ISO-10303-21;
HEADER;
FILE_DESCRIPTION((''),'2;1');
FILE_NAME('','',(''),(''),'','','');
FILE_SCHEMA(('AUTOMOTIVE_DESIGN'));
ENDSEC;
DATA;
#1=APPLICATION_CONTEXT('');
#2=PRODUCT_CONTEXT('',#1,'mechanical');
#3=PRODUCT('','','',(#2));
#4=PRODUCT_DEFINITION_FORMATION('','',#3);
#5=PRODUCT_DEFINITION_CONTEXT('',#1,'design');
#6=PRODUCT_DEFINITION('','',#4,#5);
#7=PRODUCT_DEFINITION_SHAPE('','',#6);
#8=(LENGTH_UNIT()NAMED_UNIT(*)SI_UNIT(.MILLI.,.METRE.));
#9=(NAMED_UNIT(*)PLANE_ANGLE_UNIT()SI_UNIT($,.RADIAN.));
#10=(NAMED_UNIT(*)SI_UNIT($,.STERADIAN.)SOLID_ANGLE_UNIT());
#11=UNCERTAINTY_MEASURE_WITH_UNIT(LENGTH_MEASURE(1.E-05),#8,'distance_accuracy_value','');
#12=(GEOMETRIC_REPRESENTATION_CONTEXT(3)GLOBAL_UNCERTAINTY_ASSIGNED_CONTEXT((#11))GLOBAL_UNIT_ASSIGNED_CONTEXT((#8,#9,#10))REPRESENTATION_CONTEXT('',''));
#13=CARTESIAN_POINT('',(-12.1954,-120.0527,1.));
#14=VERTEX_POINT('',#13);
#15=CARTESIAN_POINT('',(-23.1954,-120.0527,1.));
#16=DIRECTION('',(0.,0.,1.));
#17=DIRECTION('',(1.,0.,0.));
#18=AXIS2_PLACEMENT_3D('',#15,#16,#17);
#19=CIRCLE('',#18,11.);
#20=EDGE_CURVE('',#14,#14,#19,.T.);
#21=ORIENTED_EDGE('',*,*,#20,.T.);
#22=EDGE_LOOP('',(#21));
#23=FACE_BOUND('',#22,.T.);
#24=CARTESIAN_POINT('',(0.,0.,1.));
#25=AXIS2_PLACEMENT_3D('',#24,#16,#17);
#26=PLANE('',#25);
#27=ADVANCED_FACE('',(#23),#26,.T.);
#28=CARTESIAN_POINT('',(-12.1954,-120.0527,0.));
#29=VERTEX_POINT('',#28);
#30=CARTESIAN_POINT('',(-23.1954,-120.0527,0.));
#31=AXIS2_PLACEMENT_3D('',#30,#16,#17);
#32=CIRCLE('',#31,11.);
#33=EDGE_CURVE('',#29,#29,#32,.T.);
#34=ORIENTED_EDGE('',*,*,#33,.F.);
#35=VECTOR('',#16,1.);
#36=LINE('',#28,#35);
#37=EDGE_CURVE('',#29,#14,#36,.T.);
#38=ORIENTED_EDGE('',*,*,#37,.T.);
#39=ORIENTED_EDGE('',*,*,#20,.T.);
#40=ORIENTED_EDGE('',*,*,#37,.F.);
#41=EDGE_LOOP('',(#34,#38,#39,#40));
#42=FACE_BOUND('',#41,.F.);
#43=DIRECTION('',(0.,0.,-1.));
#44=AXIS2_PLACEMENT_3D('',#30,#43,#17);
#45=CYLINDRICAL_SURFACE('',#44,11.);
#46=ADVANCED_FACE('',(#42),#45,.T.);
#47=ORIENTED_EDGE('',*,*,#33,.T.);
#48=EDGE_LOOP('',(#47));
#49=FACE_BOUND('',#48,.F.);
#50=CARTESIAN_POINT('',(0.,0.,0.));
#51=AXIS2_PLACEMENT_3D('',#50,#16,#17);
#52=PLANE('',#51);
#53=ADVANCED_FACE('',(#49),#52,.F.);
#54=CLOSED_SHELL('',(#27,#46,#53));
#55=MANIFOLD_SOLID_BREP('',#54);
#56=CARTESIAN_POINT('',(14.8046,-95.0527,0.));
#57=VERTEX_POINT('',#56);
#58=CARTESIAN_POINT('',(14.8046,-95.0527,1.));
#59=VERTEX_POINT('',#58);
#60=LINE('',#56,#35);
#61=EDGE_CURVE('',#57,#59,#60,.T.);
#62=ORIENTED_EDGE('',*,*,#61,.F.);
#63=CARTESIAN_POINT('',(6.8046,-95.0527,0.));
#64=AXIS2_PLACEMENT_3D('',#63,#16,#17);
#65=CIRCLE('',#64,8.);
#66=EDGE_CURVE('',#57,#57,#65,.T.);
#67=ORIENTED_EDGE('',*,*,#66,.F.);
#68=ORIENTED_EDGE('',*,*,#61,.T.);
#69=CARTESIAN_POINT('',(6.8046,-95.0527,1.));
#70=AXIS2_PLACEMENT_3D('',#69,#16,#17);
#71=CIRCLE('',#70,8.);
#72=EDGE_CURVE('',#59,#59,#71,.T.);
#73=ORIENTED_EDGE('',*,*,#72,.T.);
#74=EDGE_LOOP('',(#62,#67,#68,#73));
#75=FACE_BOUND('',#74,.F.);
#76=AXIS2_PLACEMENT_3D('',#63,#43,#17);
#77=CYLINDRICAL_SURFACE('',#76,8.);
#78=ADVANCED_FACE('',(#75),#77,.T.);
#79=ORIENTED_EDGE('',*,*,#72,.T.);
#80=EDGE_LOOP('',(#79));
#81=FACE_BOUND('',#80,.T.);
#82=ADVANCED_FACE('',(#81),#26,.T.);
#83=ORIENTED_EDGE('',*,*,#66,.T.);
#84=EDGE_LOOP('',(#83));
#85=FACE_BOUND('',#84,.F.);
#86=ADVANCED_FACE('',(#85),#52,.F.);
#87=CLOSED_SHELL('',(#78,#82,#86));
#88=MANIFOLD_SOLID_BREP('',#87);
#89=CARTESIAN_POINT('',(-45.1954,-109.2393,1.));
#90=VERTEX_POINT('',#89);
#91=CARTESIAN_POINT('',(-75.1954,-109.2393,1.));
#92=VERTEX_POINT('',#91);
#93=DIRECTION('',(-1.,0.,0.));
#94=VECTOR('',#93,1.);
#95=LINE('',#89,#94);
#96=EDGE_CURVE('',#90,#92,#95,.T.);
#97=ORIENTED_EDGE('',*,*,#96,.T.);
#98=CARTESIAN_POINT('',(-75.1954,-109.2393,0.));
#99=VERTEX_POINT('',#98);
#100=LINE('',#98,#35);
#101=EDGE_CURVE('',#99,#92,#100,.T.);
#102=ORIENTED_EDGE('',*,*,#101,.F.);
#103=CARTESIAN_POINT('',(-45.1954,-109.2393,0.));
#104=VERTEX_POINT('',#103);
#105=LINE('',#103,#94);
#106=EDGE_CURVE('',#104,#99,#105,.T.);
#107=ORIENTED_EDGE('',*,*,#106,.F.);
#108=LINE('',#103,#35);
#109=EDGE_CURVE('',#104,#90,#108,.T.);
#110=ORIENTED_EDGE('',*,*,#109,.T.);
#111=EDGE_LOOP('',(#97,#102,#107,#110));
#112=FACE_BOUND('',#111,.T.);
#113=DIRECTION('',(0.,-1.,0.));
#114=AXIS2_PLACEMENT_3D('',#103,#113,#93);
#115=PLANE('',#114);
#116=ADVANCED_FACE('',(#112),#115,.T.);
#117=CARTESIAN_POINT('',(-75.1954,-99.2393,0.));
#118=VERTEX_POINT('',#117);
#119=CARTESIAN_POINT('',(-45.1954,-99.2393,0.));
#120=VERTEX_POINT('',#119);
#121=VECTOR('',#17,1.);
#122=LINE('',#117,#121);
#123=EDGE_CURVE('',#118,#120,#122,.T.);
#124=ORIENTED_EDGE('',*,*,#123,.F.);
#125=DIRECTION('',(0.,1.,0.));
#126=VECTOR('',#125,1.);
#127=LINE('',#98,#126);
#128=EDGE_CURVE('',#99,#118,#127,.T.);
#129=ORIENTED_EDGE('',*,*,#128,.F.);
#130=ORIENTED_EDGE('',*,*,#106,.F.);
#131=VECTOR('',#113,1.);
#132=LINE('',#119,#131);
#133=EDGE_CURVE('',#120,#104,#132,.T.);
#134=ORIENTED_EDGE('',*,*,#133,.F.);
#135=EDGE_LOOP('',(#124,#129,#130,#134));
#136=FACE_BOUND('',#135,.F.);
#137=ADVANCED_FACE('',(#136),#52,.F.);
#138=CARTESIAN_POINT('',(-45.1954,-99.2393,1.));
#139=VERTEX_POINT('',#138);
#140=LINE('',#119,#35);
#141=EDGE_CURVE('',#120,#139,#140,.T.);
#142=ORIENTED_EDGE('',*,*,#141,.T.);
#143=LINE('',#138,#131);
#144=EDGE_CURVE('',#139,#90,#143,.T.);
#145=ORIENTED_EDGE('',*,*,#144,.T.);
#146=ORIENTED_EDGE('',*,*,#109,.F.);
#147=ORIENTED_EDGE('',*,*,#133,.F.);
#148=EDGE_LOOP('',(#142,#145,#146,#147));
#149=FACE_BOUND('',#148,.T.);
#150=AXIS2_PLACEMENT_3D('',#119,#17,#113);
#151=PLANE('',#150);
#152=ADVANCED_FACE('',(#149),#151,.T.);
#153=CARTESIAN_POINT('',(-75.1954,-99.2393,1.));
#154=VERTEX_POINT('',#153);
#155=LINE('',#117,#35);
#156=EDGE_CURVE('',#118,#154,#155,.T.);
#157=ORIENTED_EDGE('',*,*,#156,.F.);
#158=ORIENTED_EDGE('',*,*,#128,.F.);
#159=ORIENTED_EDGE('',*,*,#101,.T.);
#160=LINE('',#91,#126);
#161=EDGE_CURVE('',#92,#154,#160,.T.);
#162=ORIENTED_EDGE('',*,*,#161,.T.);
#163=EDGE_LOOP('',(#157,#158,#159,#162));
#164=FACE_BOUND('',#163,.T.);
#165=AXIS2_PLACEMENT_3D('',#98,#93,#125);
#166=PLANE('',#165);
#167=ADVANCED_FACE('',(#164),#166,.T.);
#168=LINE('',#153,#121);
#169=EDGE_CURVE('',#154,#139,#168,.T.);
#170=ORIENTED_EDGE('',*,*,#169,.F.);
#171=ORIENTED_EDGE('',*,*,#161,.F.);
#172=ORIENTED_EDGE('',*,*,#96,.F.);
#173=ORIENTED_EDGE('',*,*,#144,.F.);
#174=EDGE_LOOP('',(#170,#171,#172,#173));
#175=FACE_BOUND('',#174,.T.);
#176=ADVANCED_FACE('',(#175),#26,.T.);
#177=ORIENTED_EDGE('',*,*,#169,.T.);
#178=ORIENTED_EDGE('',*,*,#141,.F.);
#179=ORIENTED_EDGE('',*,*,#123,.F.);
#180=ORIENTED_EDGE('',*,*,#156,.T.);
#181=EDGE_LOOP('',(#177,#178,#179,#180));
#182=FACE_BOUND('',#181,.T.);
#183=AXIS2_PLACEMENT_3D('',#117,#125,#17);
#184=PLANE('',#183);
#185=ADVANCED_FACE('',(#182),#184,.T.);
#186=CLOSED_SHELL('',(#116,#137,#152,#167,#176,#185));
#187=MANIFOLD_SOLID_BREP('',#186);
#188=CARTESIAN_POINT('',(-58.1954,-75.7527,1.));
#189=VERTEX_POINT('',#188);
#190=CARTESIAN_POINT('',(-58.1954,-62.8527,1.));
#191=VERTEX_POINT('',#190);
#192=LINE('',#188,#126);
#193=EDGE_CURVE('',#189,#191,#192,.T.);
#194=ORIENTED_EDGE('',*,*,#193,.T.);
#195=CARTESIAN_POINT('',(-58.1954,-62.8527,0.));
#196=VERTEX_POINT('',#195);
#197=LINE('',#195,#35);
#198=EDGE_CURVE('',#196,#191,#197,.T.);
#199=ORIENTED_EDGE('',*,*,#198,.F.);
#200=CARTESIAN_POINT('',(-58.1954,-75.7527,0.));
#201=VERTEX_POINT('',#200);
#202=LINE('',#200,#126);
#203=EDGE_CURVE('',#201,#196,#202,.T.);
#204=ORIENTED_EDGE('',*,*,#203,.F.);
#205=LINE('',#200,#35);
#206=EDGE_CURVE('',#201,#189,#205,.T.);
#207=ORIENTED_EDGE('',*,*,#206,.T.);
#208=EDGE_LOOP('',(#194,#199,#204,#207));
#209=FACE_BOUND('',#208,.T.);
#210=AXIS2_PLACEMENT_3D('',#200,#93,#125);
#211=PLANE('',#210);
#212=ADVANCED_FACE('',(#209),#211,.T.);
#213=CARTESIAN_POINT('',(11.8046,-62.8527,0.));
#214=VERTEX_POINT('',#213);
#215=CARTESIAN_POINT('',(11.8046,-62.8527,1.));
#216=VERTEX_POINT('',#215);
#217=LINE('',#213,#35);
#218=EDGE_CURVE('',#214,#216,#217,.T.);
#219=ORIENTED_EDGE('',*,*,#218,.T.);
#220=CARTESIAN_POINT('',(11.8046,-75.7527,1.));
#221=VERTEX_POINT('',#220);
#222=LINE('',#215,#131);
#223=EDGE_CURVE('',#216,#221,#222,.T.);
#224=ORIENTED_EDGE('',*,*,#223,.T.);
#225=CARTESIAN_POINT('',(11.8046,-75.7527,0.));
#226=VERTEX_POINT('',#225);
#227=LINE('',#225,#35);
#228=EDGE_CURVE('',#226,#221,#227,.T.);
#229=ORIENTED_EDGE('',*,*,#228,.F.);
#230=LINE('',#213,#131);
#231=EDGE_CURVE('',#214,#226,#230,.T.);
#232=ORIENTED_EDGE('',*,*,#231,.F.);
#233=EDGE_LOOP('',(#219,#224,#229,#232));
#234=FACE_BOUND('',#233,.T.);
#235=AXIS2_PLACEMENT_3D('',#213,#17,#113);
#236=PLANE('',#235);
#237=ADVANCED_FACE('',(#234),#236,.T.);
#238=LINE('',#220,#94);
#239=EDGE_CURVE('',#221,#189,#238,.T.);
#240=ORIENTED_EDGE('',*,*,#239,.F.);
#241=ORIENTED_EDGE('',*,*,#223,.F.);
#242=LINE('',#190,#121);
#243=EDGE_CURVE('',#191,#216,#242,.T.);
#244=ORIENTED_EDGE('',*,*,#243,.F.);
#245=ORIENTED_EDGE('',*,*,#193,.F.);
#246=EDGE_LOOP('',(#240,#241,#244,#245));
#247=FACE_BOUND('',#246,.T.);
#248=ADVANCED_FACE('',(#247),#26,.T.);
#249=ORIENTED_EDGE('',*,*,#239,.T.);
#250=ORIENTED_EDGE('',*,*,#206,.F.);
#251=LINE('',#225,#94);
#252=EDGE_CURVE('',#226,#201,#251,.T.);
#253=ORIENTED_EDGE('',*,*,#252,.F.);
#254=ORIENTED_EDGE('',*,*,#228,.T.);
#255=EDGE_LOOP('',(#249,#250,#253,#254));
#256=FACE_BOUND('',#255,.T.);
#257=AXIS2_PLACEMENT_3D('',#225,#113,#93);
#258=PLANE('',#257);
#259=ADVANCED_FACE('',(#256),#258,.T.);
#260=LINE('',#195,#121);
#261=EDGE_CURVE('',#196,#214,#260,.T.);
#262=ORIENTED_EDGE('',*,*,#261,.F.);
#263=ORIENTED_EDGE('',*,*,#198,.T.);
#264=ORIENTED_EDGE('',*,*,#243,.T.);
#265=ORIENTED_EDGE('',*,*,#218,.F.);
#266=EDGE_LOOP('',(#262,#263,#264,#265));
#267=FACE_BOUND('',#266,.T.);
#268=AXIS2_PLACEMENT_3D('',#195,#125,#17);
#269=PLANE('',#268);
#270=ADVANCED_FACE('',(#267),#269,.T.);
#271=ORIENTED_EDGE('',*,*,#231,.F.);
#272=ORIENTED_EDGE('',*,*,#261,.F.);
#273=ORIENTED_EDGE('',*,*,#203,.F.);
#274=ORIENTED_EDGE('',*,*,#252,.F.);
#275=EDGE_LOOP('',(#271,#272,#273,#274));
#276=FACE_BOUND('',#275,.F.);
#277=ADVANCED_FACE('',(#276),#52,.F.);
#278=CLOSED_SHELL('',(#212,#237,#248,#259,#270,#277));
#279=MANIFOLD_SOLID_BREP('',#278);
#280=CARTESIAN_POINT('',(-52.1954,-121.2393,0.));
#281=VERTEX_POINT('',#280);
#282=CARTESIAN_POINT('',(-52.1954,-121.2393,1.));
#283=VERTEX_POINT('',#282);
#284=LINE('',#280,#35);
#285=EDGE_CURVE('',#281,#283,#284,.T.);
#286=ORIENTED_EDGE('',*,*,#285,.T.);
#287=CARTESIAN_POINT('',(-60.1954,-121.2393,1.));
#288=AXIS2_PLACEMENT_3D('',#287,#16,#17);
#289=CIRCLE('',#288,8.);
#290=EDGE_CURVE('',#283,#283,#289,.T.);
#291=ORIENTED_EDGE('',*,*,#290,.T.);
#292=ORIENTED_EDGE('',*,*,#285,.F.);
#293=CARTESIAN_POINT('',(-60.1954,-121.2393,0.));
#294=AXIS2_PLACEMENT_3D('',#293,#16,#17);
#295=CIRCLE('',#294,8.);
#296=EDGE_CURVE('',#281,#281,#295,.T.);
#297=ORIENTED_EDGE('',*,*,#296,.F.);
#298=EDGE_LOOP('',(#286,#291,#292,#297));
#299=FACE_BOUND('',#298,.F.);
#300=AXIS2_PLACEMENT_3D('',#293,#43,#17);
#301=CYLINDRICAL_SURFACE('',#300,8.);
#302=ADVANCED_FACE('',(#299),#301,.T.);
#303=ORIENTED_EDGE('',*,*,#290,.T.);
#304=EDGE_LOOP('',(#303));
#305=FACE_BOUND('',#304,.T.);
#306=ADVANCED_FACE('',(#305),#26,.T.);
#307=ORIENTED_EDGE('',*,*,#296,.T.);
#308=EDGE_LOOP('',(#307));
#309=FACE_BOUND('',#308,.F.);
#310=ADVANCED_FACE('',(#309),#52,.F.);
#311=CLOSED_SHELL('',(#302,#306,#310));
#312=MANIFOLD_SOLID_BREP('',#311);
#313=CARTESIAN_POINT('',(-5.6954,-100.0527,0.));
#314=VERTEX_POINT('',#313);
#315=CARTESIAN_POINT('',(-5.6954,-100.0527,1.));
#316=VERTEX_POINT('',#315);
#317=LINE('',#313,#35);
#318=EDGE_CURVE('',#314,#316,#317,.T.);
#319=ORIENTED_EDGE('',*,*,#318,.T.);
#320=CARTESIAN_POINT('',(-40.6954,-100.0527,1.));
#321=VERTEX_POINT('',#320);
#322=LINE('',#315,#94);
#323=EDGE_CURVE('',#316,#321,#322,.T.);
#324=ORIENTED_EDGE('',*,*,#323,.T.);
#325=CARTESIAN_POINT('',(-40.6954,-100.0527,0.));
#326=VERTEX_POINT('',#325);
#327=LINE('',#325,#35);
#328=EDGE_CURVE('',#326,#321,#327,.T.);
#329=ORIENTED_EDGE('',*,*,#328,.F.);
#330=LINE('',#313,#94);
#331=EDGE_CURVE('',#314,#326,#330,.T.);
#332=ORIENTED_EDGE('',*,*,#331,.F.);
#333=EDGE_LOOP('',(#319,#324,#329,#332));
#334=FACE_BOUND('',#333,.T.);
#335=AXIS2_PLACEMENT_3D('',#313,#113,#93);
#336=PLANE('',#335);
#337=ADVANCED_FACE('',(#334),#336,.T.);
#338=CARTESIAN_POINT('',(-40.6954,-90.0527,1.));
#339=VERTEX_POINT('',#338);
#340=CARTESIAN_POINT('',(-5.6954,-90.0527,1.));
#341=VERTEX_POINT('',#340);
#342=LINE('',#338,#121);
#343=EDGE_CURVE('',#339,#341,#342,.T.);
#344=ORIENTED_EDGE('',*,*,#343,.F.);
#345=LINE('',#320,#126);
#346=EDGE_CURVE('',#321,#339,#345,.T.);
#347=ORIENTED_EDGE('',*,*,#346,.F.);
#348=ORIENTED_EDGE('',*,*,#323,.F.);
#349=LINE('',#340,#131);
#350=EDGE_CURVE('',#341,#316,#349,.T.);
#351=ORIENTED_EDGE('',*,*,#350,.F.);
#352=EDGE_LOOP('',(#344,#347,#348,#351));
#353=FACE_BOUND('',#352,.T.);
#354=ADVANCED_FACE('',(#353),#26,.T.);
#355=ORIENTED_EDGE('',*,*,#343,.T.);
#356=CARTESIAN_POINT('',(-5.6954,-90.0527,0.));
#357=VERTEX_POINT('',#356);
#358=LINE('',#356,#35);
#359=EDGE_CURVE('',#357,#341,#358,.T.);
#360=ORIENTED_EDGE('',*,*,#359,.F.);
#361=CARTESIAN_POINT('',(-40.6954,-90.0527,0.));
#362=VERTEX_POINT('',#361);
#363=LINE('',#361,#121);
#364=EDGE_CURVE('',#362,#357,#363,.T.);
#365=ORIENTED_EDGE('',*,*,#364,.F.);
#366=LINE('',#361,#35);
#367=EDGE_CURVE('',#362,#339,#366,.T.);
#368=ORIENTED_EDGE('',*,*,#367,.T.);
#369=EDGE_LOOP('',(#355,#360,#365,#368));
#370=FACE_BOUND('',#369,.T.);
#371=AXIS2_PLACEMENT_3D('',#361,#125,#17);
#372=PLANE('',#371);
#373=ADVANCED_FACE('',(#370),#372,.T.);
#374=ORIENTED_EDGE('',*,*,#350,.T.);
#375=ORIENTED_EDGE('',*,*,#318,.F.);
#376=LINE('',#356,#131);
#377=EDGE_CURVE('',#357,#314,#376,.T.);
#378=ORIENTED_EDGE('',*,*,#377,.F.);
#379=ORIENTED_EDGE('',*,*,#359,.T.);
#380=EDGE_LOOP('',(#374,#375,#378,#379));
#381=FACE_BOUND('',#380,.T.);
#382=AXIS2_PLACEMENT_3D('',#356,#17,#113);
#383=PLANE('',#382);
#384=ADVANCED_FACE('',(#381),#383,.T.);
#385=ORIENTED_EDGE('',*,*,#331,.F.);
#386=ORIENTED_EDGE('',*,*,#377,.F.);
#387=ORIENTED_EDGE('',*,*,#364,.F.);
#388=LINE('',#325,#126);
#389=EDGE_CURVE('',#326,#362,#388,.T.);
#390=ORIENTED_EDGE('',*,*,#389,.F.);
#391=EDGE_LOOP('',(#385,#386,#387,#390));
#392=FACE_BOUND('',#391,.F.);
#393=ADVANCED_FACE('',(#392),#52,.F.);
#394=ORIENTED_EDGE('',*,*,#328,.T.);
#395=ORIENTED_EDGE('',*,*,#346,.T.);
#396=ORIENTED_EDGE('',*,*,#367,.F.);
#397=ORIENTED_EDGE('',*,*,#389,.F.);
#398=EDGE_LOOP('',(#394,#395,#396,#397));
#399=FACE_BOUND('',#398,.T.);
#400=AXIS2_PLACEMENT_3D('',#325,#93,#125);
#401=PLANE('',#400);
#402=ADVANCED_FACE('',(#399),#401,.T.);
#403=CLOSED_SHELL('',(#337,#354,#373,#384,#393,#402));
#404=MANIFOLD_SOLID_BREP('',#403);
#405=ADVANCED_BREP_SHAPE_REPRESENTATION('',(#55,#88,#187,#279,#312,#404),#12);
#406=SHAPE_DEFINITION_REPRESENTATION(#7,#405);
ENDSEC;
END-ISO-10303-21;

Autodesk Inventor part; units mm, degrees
ref_plane "YZ Plane" through (0, 0, 0) normal (1, 0, 0) x (0, 1, 0)
ref_plane "XZ Plane" through (0, 0, 0) normal (0, 1, 0) x (-1, 0, 0)
ref_plane "XY Plane" through (0, 0, 0) normal (0, 0, 1) x (1, 0, 0)
ref_plane "Work Plane1" through (0, 0, 0) normal (0, 0, 1) x (1, 0, 0)
sketch "Sketch1" plane through (0, 0, 0) normal (0, 0, 1) x (1, 0, 0)
  line L0 (-68.1954, -80.0527) -> (21.8046, -80.0527) construction
  line L1 (21.8046, -80.0527) -> (21.8046, -58.0527) construction
  line L2 (21.8046, -58.0527) -> (-68.1954, -58.0527) construction
  line L3 (-68.1954, -58.0527) -> (-68.1954, -80.0527) construction
  circle A0 centre (-23.1954, -120.0527) radius 11
  line L4 (-40.6954, -100.0527) -> (-5.6954, -100.0527) construction
  line L5 (-5.6954, -100.0527) -> (-5.6954, -90.0527) construction
  line L6 (-5.6954, -90.0527) -> (-40.6954, -90.0527) construction
  line L7 (-40.6954, -90.0527) -> (-40.6954, -100.0527) construction
  line L8 (-75.1954, -99.2393) -> (-75.1954, -109.2393) construction
  line L9 (-75.1954, -109.2393) -> (-45.1954, -109.2393) construction
  line L10 (-45.1954, -109.2393) -> (-45.1954, -99.2393) construction
  line L11 (-45.1954, -99.2393) -> (-75.1954, -99.2393) construction
  circle A1 centre (-23.1954, -120.0527) radius 14.5 construction
  circle A2 centre (6.8046, -95.0527) radius 8
  circle A3 centre (-60.1954, -121.2393) radius 8
  circle A4 centre (6.8046, -95.0527) radius 10 construction
  circle A5 centre (-60.1954, -121.2393) radius 10 construction
  line L12 (-75.1954, -99.2393) -> (-45.1954, -99.2393)
  line L13 (-45.1954, -99.2393) -> (-45.1954, -109.2393)
  line L14 (-45.1954, -109.2393) -> (-75.1954, -109.2393)
  line L15 (-75.1954, -109.2393) -> (-75.1954, -99.2393)
  line L16 (-40.6954, -90.0527) -> (-5.6954, -90.0527)
  line L17 (-5.6954, -90.0527) -> (-5.6954, -100.0527)
  line L18 (-5.6954, -100.0527) -> (-40.6954, -100.0527)
  line L19 (-40.6954, -100.0527) -> (-40.6954, -90.0527)
  line L20 (-58.1954, -62.8527) -> (11.8046, -62.8527)
  line L21 (11.8046, -62.8527) -> (11.8046, -75.7527)
  line L22 (11.8046, -75.7527) -> (-58.1954, -75.7527)
  line L23 (-58.1954, -75.7527) -> (-58.1954, -62.8527)
  point P0 (-23.1954, -80.0527)
  point P1 (-23.1954, -100.0527)
  point P2 (-60.1954, -99.2393)
  point P3 (-60.1954, -109.2393)
  point P4 (-5.6954, -95.0527)
  point P5 (-23.1954, -90.0527)
  point P6 (-23.1954, -58.0527)
  dimension "d0" = 22
  dimension "d1" = 22
  dimension "d2" = 90
  dimension "d7" = 29
  dimension "d8" = 16
  dimension "d9" = 16
  dimension "d10" = 20
  dimension "d11" = 20
  dimension "d12" = 30
  dimension "d14" = 40
  dimension "d17" = 37
  dimension "d18" = 20
  dimension "d19" = 10
  dimension "d20" = 10
  dimension "d21" = 30
  dimension "d22" = 35
  dimension "d26" = 39.0513
  dimension "d28" = 4.3
  dimension "d29" = 4.8
  dimension "d30" = 10
  dimension "d31" = 10
  dimension "d124" = 10.8134
  dimension "d125" = 9.1866
  dimension "d126" = 12
extrude "Extrusion1" add sketch "Sketch1" along normal blind 1
sketch "Sketch5" plane through (0, 0, 1) normal (0, 0, 1) x (1, 0, 0)
  line L0 (-55.571, -65.5595) -> (9.6532, -65.5595) construction
  line L1 (9.6532, -65.5595) -> (9.6532, -73.7983) construction
  line L2 (9.6532, -73.7983) -> (-55.571, -73.7983) construction
  line L3 (-55.571, -73.7983) -> (-55.571, -65.5595) construction
  point P0 (0, 0)
decal "Decal1"
sketch "Sketch6" plane through (0, 0, 1) normal (0, 0, 1) x (1, 0, 0)
  line L0 (-73.1954, -100.8393) -> (-47.3362, -100.8393) construction
  line L1 (-47.3362, -100.8393) -> (-47.3362, -107.6393) construction
  line L2 (-47.3362, -107.6393) -> (-73.1954, -107.6393) construction
  line L3 (-73.1954, -107.6393) -> (-73.1954, -100.8393) construction
  line L4 (-75.1954, -109.2393) -> (-45.1954, -109.2393) projected
  line L5 (-45.1954, -99.2393) -> (-75.1954, -99.2393) projected
  line L6 (-75.1954, -99.2393) -> (-75.1954, -109.2393) projected
  point P0 (0, 0)
  point P1 (-75.1954, -104.2393)
  dimension "d130" = 1.6
  dimension "d131" = 1.6
  dimension "d132" = 2
decal "Decal2"
sketch "Sketch7" plane through (0, 0, 1) normal (0, 0, 1) x (1, 0, 0)
  line L0 (-38.5335, -91.962) -> (-7.4329, -91.962) construction
  line L1 (-7.4329, -91.962) -> (-7.4329, -98.548) construction
  line L2 (-7.4329, -98.548) -> (-38.5335, -98.548) construction
  line L3 (-38.5335, -98.548) -> (-38.5335, -91.962) construction
  point P0 (0, 0)
decal "Decal3"
properties part number "mode-control-layout"
